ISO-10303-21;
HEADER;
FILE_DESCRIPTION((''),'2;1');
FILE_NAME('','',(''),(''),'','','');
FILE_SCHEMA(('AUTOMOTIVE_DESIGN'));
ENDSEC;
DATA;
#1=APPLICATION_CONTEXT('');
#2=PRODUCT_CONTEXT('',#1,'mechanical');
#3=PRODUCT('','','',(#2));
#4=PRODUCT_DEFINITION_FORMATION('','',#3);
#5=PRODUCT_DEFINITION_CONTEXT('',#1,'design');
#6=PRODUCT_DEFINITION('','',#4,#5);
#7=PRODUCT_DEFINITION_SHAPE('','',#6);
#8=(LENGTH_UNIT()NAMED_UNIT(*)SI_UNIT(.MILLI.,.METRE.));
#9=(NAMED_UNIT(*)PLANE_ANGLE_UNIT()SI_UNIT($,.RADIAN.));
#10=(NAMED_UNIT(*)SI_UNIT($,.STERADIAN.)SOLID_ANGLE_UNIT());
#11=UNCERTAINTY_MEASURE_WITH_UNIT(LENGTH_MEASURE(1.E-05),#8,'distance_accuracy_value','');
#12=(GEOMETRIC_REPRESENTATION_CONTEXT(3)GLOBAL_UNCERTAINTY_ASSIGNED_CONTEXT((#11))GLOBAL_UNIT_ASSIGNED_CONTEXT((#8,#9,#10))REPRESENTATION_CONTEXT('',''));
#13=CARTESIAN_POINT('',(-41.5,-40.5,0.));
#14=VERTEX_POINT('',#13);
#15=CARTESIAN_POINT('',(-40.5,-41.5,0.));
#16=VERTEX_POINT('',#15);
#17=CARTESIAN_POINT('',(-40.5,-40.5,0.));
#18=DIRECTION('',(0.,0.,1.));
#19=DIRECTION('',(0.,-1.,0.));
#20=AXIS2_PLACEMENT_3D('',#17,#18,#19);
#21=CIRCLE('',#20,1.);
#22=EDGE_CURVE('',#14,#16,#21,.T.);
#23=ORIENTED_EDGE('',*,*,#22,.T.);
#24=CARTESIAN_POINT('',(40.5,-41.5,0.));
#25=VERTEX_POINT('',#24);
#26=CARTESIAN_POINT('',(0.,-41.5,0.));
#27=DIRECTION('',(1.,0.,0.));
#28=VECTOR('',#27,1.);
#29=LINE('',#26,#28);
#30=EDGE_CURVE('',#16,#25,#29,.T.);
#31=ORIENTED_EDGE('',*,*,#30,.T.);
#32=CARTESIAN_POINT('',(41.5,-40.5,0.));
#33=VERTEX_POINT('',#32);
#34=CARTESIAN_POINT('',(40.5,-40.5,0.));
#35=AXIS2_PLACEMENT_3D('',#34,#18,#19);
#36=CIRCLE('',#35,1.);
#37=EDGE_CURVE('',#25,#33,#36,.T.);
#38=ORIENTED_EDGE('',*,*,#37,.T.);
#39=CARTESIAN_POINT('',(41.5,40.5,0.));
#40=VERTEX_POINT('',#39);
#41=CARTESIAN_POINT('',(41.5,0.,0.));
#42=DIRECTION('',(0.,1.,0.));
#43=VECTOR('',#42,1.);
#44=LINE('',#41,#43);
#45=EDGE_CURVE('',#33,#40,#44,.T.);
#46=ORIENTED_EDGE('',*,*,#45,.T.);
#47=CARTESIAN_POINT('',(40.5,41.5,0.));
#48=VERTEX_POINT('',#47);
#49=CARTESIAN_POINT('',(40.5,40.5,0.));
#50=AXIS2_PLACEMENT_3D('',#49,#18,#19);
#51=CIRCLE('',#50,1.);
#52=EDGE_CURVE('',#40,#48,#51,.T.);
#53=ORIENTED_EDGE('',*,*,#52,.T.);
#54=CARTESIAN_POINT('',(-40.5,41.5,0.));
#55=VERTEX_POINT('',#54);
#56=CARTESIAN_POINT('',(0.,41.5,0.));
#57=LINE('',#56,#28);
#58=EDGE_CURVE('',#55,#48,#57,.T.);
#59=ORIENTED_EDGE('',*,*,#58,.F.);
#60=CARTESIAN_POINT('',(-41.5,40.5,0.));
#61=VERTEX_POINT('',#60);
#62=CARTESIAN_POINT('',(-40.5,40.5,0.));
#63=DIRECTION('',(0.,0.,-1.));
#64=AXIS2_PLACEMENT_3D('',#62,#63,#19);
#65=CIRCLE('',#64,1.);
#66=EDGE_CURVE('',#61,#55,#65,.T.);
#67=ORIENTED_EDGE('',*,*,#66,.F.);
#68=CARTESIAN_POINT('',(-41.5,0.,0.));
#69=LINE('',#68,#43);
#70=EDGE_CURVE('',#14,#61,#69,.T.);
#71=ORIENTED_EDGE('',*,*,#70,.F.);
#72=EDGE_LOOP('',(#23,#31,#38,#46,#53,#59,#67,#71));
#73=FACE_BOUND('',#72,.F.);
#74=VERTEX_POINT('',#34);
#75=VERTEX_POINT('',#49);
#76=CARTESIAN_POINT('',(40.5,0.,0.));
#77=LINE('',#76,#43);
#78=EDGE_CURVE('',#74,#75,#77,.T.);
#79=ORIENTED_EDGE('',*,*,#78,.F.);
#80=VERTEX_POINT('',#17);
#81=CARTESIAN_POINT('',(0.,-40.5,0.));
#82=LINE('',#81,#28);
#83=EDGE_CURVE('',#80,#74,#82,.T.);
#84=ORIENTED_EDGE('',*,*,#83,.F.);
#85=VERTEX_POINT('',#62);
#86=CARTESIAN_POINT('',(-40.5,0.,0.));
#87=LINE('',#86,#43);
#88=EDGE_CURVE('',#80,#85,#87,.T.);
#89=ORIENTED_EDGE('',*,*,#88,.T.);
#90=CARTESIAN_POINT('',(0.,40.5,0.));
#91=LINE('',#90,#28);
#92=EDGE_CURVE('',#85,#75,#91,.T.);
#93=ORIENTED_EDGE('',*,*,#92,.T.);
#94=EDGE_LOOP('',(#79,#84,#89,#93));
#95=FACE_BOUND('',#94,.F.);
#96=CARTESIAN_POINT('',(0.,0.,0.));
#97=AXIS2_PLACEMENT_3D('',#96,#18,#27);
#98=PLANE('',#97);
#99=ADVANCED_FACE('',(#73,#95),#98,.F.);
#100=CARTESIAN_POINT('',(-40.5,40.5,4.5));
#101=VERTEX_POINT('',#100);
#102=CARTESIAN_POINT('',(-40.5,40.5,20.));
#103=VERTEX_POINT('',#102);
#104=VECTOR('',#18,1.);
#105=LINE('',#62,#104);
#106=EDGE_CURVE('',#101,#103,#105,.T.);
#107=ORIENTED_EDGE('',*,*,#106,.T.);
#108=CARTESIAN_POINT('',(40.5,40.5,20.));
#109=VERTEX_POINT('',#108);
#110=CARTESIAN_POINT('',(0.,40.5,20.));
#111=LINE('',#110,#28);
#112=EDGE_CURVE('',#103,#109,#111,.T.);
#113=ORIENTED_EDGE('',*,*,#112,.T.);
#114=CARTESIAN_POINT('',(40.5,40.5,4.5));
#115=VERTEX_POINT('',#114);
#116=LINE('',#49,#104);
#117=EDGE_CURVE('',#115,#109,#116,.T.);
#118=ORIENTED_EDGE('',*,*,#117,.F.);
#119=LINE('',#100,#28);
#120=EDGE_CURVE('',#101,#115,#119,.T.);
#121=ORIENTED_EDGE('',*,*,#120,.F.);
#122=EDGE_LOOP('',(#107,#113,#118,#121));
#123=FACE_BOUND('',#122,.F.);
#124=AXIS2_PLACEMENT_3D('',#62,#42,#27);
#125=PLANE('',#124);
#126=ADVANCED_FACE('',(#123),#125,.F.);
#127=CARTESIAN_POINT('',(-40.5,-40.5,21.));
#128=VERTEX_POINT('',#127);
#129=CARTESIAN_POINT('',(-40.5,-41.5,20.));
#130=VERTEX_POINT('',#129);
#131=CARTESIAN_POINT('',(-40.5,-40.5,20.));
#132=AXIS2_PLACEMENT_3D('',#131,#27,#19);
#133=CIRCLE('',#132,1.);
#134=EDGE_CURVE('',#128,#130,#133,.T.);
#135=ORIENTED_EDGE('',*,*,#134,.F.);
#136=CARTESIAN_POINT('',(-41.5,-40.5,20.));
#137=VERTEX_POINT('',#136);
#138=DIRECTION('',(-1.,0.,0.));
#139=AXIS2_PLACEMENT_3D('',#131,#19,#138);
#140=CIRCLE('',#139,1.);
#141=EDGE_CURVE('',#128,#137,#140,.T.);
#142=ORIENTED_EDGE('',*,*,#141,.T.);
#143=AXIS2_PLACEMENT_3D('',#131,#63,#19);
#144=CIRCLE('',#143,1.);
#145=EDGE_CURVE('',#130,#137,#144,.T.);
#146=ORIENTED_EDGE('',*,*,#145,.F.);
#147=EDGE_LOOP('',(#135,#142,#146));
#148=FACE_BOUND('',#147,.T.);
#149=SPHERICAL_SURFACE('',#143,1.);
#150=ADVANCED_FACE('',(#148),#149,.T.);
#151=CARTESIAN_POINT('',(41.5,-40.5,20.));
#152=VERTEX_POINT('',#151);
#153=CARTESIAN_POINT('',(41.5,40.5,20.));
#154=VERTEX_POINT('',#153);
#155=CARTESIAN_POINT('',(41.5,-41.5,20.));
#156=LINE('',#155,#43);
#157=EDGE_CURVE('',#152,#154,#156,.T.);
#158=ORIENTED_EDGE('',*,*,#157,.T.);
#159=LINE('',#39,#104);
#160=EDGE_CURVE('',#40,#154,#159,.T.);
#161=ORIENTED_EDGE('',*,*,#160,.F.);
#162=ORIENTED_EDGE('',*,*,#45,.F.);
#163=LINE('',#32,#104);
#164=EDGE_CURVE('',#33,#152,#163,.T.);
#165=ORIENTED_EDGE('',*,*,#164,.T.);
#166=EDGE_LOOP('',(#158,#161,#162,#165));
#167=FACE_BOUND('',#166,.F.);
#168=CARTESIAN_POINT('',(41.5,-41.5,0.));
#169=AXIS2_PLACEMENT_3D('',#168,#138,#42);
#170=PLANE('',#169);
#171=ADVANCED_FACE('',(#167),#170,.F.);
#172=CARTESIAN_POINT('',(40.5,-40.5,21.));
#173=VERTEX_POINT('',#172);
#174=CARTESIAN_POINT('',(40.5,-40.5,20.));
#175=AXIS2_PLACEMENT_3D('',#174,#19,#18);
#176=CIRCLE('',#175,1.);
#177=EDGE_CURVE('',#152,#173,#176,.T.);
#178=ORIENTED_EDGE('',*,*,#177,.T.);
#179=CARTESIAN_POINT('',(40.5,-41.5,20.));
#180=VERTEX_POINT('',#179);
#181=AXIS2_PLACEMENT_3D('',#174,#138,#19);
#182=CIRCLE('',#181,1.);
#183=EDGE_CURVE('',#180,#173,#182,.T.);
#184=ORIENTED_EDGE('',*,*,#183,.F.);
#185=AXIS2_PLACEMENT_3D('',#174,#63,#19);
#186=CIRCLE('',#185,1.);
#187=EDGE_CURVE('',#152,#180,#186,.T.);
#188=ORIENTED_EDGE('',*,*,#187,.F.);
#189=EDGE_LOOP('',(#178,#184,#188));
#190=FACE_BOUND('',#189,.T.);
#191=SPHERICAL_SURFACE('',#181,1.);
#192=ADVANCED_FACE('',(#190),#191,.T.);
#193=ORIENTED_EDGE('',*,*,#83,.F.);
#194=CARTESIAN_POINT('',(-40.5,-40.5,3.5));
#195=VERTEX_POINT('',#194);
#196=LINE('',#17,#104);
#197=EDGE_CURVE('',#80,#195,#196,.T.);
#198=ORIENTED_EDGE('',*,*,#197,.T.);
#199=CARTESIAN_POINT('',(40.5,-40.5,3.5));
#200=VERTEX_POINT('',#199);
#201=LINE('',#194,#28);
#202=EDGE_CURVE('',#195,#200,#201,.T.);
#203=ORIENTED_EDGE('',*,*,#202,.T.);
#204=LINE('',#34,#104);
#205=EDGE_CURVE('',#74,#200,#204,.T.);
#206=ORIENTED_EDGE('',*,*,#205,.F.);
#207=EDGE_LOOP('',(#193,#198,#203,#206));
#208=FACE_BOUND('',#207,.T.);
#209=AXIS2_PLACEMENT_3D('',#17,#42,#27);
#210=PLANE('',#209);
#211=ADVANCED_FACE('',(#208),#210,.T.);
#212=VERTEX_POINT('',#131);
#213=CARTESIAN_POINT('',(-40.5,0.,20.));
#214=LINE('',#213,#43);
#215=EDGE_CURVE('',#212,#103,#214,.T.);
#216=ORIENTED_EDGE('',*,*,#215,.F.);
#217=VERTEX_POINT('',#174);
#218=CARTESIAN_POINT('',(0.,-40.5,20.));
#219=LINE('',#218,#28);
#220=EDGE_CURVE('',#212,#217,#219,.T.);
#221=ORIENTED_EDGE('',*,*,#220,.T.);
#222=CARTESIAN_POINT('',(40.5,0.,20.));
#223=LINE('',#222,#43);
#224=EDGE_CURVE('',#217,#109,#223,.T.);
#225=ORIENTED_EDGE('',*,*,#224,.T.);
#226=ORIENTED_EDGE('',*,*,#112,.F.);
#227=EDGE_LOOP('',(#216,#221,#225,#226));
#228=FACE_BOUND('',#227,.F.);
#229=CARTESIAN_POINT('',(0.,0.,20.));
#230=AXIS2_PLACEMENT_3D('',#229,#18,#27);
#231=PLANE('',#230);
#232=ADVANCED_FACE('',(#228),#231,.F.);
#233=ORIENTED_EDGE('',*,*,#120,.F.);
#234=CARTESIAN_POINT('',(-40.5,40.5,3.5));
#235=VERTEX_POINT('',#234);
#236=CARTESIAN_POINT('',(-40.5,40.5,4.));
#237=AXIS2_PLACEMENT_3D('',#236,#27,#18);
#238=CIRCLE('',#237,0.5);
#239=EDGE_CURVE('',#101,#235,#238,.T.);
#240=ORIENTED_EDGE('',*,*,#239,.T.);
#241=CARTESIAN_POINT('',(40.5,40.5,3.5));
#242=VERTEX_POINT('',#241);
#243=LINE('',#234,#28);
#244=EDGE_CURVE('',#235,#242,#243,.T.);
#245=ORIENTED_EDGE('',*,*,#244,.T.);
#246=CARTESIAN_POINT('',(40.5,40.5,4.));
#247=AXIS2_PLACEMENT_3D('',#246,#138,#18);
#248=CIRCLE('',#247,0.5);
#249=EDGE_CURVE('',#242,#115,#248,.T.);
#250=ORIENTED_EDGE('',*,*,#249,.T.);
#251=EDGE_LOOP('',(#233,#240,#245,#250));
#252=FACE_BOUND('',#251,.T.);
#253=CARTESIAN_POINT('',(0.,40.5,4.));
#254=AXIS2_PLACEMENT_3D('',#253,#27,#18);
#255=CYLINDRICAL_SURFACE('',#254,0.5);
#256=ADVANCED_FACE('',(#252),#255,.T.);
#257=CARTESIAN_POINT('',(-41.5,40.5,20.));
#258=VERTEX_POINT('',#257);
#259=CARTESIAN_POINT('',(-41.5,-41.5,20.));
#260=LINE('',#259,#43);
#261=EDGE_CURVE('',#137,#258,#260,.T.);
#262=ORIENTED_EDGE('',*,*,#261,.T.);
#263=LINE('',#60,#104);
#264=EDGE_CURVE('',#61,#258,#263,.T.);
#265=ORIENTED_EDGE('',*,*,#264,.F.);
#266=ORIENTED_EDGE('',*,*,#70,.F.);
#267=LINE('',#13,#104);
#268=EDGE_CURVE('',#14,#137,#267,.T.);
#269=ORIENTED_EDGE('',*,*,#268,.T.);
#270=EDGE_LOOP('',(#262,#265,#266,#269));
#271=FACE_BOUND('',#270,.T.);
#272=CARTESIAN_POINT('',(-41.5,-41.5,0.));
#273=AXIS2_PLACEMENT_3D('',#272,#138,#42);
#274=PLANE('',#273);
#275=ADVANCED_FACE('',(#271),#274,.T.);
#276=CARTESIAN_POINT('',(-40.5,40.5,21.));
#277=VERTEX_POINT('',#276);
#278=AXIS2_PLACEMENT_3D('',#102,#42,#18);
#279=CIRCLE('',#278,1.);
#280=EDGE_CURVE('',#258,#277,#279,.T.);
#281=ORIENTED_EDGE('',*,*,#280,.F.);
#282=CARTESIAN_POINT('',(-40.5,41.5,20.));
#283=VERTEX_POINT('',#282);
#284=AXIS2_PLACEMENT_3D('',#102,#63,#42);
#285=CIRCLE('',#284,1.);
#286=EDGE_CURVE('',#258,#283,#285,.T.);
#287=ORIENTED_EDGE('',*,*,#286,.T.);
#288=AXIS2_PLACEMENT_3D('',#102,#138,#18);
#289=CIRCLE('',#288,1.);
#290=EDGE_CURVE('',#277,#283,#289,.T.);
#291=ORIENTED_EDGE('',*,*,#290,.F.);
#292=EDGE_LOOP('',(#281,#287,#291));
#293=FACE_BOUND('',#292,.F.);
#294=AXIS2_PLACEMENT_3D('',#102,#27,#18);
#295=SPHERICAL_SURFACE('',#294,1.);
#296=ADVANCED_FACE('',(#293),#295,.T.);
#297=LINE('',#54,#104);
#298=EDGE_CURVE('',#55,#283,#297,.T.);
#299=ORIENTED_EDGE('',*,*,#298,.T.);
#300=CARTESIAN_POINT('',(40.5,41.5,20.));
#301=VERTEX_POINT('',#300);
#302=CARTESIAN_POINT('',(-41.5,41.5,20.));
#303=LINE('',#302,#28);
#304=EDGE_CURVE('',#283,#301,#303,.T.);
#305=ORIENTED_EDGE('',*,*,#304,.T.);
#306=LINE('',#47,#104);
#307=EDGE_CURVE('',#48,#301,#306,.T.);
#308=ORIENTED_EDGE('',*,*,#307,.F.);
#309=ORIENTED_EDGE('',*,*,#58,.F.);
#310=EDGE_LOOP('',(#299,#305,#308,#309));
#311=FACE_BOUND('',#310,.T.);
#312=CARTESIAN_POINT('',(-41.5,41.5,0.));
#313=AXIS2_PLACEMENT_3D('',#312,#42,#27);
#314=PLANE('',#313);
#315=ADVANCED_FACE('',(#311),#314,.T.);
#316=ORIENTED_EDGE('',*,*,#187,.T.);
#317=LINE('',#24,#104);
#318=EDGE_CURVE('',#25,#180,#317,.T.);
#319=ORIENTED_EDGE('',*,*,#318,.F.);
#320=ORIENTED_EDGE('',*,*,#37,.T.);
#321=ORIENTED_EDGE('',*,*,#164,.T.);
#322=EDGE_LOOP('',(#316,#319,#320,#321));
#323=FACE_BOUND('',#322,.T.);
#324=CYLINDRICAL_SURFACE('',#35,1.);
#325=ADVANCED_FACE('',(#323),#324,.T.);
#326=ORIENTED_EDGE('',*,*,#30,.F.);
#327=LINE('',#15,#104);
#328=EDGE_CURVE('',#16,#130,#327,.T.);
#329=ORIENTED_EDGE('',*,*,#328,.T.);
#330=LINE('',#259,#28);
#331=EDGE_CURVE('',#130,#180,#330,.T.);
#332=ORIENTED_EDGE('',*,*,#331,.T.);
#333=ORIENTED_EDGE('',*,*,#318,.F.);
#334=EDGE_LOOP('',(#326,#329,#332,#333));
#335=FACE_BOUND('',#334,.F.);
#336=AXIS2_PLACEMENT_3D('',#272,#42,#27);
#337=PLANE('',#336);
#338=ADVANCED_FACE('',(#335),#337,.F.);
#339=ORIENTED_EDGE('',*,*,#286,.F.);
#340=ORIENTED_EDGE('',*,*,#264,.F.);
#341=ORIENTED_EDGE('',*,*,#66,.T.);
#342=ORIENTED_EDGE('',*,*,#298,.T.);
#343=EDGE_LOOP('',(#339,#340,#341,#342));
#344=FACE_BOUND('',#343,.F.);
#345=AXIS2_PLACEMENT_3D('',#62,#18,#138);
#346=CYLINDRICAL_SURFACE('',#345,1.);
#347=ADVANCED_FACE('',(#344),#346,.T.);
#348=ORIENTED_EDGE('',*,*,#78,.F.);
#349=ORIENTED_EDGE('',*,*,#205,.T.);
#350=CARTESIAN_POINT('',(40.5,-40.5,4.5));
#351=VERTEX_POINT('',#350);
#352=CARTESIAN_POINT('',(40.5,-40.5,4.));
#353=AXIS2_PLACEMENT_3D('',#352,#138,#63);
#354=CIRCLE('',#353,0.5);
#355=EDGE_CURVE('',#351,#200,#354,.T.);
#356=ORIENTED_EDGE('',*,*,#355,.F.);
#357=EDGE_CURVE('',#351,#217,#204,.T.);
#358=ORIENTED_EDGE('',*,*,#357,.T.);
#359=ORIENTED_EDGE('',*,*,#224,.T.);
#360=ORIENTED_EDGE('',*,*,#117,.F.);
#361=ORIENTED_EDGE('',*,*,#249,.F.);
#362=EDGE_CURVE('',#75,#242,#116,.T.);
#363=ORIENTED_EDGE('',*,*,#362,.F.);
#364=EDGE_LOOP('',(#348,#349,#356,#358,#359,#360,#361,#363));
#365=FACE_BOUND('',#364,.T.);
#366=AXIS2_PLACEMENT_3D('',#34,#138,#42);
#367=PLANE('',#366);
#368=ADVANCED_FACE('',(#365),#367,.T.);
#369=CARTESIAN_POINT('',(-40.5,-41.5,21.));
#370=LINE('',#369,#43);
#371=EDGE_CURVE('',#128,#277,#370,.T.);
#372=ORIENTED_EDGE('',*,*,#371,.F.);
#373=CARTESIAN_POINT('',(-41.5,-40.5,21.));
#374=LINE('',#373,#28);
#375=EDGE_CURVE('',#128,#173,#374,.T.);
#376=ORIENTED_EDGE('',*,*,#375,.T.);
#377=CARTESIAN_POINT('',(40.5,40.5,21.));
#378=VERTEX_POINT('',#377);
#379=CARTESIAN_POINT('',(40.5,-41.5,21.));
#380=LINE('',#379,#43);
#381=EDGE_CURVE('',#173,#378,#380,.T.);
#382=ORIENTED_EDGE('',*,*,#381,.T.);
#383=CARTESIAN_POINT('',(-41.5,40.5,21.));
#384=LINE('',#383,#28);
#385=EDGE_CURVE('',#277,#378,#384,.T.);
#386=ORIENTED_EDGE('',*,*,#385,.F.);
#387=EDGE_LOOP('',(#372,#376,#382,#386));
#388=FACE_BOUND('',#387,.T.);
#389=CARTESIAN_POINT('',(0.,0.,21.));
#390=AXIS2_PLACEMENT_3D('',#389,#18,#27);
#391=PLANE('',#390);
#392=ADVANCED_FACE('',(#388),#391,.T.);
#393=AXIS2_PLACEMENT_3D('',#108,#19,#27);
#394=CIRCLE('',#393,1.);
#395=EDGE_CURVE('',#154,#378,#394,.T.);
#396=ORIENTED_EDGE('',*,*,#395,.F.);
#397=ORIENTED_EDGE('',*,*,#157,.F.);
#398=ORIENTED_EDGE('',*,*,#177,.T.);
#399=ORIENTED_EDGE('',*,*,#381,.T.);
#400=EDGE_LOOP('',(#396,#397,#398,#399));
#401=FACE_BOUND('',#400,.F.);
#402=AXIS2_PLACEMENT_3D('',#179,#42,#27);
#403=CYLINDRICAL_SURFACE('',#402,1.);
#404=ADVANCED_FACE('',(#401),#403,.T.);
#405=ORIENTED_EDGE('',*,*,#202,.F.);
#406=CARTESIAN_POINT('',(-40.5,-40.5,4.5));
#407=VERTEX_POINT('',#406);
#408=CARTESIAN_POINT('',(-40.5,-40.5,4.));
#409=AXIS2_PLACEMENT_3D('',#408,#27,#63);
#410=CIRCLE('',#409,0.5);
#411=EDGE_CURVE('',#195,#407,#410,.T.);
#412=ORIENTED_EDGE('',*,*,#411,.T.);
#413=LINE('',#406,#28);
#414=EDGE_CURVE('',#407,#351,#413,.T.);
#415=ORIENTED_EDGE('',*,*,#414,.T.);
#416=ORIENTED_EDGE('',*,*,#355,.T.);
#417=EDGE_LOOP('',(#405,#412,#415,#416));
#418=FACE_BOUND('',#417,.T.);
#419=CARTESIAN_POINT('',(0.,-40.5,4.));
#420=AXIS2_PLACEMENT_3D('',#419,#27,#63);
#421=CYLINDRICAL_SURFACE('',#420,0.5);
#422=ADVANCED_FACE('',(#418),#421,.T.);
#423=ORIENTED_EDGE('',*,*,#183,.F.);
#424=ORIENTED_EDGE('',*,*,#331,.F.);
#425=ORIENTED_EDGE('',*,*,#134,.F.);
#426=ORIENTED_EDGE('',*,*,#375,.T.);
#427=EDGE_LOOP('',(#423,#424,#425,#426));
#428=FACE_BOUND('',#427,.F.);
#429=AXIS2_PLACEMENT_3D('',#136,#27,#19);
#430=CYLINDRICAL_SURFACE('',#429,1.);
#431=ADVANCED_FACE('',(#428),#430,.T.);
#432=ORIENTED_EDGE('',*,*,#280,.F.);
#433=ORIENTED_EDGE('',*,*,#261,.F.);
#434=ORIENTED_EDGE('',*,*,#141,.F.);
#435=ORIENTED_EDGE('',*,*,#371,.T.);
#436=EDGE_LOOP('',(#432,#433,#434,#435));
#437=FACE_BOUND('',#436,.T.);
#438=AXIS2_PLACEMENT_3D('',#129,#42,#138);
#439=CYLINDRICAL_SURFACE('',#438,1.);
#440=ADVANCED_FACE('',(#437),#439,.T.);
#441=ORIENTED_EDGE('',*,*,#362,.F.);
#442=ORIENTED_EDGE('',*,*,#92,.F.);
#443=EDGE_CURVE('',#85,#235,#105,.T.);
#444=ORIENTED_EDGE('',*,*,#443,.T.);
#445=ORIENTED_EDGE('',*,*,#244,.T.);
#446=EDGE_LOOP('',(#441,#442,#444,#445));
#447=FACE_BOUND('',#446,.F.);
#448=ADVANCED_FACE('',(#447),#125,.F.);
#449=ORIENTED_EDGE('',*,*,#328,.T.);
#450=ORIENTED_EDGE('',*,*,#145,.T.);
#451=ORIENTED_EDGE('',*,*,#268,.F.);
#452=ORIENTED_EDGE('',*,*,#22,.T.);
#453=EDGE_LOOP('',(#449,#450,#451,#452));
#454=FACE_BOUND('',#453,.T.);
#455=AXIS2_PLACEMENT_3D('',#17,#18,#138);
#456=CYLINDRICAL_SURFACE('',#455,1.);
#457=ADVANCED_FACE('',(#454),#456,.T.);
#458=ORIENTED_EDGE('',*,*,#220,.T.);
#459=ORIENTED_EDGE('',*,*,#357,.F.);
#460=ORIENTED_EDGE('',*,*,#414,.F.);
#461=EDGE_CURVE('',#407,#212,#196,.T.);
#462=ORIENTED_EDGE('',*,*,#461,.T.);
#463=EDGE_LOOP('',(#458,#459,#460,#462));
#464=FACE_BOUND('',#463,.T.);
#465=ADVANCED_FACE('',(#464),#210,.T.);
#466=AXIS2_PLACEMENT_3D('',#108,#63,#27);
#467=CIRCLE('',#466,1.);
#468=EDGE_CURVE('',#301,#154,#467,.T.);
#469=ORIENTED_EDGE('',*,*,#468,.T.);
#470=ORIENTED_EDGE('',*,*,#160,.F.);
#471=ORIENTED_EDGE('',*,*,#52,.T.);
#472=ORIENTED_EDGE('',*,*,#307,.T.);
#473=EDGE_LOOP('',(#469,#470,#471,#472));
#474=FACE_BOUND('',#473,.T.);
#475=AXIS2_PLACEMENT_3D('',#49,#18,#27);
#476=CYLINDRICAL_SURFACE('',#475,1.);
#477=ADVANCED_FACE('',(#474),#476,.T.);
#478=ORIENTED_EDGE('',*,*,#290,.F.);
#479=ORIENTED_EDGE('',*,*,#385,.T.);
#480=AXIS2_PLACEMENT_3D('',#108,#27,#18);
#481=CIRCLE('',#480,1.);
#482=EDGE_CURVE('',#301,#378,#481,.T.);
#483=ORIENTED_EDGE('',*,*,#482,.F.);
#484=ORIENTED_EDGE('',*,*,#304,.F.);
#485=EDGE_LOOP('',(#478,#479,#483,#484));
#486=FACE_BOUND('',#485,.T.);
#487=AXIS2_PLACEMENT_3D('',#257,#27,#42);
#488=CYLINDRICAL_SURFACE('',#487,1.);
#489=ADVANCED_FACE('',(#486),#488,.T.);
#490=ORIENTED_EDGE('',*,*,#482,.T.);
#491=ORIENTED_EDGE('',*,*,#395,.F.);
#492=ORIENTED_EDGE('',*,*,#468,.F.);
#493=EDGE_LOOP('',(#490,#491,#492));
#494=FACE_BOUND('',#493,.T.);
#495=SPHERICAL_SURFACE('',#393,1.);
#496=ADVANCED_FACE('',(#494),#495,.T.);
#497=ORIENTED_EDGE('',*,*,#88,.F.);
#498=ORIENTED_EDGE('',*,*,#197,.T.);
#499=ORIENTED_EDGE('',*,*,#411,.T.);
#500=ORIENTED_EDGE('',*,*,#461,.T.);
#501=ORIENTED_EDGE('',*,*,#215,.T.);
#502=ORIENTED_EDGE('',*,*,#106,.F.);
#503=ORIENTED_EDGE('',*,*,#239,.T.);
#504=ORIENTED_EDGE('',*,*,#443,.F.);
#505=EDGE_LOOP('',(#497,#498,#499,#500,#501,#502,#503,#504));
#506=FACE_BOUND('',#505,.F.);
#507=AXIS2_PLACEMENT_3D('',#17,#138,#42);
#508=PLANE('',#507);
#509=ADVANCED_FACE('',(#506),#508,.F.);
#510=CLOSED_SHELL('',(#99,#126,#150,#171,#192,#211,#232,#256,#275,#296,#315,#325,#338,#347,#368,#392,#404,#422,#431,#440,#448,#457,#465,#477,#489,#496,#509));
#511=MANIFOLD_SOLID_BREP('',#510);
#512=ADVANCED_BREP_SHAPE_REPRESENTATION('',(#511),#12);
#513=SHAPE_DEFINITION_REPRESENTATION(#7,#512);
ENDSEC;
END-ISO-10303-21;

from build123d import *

# Parameters (mm, degrees)
SKETCH_W          = 81
SKETCH_H          = 81
PAD_DEPTH         = 20
POCKET_DEPTH      = 40.501
POCKET_DEPTH_BACK = -40.501
SKETCH001_W       = 83
SKETCH001_H       = 83
PAD001_DEPTH      = 21
FILLET_R          = 1


with BuildPart() as body:
    # Sketch → Pad (new body)
    with BuildSketch(Plane.XY):
        Rectangle(SKETCH_W, SKETCH_H)
    extrude(amount=PAD_DEPTH)

    # Sketch002 → Pocket (cut, two sides)
    with BuildSketch(Plane.YZ) as pocket_sk:
        with BuildLine():
            ThreePointArc((40.5, 4.5), (40, 4), (40.5, 3.5))
            Line((40.5, 4.5), (40.5, 3.5))
        make_face()
        with BuildLine():
            ThreePointArc((-40.5, 3.5), (-40, 4), (-40.5, 4.5))
            Line((-40.5, 3.5), (-40.5, 4.5))
        make_face()
    extrude(amount=-POCKET_DEPTH, mode=Mode.SUBTRACT)
    extrude(pocket_sk.sketch, amount=-POCKET_DEPTH_BACK, mode=Mode.SUBTRACT)


with BuildPart() as body001:
    # Sketch001 → Pad001 (new body)
    with BuildSketch(Plane.XY):
        Rectangle(SKETCH001_W, SKETCH001_H)
    extrude(amount=PAD001_DEPTH)

    # Fillet
    fillet_edges = [body001.edges().sort_by_distance(p)[0] for p in [
        (-41.5, -41.5, 10.5),
        (0, -41.5, 21),
        (41.5, -41.5, 10.5),
        (41.5, 0, 21),
        (41.5, 41.5, 10.5),
        (0, 41.5, 21),
        (-41.5, 0, 21),
        (-41.5, 41.5, 10.5),
    ]]
    fillet(fillet_edges, radius=FILLET_R)

    # Boolean: cut Body
    add(body.part, mode=Mode.SUBTRACT)


solid = body001.part
